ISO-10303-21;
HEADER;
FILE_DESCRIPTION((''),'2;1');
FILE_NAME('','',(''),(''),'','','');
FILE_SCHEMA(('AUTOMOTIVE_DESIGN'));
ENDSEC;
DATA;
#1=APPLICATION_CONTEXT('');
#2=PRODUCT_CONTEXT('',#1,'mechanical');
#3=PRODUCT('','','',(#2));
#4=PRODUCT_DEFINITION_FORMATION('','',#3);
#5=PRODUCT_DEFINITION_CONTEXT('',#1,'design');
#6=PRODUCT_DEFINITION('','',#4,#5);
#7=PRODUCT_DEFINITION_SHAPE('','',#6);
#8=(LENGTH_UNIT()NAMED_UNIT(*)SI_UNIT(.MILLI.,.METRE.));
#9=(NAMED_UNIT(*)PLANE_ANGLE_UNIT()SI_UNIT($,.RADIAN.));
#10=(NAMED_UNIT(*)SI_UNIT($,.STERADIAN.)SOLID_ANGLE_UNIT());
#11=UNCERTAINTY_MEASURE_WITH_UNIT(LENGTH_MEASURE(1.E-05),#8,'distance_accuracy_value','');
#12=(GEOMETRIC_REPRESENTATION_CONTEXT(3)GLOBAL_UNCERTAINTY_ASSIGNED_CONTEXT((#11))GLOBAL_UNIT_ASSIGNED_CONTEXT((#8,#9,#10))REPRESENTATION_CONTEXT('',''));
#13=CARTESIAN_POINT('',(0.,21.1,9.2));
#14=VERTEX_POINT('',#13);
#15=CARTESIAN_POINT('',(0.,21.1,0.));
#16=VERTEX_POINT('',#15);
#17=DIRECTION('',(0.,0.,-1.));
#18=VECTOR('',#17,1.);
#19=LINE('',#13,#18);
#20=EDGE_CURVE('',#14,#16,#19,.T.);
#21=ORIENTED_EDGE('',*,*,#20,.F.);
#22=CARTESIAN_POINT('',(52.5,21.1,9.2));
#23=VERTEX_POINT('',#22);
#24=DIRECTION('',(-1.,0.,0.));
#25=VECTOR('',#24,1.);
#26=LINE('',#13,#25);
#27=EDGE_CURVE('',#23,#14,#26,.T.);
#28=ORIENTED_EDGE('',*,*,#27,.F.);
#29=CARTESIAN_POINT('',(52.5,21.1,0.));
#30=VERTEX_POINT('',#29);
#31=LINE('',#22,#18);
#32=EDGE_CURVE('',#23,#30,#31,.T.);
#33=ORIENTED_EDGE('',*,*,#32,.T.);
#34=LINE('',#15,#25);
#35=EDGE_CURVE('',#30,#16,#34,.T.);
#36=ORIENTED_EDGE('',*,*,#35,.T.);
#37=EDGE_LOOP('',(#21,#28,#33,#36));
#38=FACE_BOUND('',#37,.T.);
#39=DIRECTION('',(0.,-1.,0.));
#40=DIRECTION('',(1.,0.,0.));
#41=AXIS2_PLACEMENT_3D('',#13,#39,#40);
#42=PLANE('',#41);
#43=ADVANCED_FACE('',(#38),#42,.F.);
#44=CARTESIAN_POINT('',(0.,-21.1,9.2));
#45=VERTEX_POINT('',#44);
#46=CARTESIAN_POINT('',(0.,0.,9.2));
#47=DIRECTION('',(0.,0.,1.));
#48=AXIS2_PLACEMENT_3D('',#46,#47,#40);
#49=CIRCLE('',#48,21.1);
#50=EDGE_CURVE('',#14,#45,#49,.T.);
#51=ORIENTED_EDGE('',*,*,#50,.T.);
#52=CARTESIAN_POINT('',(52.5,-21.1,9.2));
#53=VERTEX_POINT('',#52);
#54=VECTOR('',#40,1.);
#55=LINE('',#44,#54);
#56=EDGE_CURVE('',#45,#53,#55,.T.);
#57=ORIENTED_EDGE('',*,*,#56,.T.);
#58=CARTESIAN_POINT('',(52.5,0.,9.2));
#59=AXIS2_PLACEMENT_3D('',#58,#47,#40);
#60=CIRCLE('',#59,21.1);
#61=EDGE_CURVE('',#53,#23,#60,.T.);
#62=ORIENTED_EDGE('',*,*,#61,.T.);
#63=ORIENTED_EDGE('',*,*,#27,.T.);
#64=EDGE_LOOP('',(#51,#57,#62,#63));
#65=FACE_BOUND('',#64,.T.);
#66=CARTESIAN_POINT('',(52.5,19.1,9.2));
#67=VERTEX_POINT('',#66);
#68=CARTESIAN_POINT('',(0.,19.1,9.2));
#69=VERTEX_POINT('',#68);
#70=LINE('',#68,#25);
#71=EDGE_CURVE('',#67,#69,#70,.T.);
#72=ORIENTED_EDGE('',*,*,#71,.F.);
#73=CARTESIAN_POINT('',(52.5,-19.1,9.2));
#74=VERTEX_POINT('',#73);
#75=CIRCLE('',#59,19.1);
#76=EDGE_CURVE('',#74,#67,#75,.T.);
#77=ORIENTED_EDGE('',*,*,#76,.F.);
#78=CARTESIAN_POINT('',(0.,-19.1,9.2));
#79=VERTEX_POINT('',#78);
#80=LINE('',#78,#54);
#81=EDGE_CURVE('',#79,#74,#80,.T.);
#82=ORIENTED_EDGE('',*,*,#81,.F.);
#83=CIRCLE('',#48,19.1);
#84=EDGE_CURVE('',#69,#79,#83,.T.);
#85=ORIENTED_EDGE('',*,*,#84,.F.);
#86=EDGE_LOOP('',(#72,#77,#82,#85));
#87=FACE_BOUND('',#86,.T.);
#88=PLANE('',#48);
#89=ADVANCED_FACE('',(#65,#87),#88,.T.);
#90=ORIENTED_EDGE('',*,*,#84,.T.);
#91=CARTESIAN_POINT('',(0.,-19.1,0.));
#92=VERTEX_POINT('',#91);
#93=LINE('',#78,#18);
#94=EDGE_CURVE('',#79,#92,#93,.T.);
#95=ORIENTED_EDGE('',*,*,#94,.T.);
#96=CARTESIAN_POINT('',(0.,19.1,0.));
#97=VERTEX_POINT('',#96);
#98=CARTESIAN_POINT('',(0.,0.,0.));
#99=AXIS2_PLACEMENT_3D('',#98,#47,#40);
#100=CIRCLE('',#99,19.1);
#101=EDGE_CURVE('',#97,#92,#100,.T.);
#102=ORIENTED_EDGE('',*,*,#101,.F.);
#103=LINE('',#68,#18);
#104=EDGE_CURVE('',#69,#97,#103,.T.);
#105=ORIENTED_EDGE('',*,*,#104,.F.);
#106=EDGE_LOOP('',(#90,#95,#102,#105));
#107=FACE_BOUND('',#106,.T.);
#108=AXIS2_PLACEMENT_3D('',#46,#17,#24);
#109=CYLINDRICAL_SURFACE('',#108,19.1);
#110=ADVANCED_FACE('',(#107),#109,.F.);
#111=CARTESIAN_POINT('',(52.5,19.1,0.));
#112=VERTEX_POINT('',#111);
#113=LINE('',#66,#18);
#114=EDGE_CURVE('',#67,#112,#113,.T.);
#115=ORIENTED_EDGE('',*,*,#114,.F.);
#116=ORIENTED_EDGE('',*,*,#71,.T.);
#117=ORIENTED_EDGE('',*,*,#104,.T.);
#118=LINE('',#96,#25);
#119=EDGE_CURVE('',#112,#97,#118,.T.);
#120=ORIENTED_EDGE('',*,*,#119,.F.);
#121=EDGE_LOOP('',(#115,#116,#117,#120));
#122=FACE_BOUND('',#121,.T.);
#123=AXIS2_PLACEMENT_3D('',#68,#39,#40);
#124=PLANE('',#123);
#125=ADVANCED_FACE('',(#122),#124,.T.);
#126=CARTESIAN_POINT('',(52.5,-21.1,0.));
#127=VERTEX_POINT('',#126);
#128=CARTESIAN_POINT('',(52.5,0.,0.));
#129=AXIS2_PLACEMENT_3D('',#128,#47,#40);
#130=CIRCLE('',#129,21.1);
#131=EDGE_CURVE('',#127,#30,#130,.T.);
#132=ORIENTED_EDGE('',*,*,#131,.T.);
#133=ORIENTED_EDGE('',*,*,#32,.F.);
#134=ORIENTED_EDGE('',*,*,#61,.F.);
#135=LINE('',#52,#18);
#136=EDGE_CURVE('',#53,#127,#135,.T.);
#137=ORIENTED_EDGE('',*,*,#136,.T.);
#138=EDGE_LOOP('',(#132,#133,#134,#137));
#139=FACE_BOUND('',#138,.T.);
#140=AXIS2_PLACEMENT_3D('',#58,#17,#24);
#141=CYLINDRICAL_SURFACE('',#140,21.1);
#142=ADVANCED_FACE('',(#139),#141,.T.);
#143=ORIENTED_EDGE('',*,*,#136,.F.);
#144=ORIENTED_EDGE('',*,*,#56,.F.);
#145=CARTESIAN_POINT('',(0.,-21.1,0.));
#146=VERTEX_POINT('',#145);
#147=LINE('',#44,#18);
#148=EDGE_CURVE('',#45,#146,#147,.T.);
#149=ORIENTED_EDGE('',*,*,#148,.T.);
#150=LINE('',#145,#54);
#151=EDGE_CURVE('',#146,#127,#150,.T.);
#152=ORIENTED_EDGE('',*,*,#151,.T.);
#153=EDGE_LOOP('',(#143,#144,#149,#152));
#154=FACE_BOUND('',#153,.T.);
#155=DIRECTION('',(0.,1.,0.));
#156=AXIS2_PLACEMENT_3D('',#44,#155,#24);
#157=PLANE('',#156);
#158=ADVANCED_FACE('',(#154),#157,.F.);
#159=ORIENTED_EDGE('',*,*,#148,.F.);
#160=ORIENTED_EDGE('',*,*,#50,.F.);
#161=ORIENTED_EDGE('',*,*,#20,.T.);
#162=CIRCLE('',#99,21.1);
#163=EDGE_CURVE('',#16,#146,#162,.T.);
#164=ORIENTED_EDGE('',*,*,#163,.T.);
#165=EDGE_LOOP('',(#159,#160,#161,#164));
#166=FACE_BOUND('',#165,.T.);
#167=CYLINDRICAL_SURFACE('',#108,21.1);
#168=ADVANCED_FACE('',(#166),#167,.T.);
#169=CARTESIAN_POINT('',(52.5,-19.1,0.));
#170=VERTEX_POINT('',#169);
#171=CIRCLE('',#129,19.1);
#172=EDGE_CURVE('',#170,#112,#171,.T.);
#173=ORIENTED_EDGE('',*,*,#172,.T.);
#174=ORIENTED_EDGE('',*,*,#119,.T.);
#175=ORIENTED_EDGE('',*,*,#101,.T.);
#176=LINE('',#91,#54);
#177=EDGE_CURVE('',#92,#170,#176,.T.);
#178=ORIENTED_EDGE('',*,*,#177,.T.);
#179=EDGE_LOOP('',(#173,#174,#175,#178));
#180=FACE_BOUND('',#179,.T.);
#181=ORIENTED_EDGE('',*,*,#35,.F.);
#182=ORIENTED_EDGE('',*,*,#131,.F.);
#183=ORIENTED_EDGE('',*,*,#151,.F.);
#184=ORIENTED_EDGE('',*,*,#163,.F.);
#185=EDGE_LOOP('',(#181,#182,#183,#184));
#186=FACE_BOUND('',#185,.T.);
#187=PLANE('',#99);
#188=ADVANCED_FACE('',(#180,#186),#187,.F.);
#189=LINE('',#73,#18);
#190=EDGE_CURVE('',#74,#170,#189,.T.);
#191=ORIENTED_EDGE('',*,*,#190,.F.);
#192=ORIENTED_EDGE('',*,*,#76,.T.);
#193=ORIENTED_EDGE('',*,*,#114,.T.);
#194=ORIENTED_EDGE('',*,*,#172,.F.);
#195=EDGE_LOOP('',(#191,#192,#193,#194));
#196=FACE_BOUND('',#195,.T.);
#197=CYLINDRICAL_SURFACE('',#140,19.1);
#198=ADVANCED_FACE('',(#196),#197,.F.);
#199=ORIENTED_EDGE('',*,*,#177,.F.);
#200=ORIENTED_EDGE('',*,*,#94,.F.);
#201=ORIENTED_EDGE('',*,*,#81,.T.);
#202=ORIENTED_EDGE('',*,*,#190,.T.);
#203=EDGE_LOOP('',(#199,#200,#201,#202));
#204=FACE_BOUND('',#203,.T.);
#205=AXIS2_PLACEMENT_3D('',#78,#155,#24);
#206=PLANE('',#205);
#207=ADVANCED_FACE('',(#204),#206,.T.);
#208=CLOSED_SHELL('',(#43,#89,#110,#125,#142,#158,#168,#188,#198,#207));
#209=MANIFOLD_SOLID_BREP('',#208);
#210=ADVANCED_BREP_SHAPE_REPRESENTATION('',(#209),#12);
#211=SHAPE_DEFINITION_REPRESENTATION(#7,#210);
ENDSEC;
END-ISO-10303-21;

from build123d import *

# Parameters (mm, degrees)
EXTRUDE_THIN1_DEPTH = 9.2


with BuildPart() as part:
    # Sketch1 → Extrude-Thin1 (new body)
    with BuildSketch(Plane.XY):
        with BuildLine():
            Line((0, 21.1), (52.5, 21.1))
            ThreePointArc((52.5, 21.1), (73.6, 0), (52.5, -21.1))
            Line((52.5, -21.1), (0, -21.1))
            ThreePointArc((0, -21.1), (-21.1, 0), (0, 21.1))
        make_face()
        with BuildLine():
            Line((0, 19.1), (52.5, 19.1))
            ThreePointArc((52.5, 19.1), (71.6, 0), (52.5, -19.1))
            Line((52.5, -19.1), (0, -19.1))
            ThreePointArc((0, -19.1), (-19.1, 0), (0, 19.1))
        make_face(mode=Mode.SUBTRACT)
    extrude(amount=EXTRUDE_THIN1_DEPTH)


solid = part.part
